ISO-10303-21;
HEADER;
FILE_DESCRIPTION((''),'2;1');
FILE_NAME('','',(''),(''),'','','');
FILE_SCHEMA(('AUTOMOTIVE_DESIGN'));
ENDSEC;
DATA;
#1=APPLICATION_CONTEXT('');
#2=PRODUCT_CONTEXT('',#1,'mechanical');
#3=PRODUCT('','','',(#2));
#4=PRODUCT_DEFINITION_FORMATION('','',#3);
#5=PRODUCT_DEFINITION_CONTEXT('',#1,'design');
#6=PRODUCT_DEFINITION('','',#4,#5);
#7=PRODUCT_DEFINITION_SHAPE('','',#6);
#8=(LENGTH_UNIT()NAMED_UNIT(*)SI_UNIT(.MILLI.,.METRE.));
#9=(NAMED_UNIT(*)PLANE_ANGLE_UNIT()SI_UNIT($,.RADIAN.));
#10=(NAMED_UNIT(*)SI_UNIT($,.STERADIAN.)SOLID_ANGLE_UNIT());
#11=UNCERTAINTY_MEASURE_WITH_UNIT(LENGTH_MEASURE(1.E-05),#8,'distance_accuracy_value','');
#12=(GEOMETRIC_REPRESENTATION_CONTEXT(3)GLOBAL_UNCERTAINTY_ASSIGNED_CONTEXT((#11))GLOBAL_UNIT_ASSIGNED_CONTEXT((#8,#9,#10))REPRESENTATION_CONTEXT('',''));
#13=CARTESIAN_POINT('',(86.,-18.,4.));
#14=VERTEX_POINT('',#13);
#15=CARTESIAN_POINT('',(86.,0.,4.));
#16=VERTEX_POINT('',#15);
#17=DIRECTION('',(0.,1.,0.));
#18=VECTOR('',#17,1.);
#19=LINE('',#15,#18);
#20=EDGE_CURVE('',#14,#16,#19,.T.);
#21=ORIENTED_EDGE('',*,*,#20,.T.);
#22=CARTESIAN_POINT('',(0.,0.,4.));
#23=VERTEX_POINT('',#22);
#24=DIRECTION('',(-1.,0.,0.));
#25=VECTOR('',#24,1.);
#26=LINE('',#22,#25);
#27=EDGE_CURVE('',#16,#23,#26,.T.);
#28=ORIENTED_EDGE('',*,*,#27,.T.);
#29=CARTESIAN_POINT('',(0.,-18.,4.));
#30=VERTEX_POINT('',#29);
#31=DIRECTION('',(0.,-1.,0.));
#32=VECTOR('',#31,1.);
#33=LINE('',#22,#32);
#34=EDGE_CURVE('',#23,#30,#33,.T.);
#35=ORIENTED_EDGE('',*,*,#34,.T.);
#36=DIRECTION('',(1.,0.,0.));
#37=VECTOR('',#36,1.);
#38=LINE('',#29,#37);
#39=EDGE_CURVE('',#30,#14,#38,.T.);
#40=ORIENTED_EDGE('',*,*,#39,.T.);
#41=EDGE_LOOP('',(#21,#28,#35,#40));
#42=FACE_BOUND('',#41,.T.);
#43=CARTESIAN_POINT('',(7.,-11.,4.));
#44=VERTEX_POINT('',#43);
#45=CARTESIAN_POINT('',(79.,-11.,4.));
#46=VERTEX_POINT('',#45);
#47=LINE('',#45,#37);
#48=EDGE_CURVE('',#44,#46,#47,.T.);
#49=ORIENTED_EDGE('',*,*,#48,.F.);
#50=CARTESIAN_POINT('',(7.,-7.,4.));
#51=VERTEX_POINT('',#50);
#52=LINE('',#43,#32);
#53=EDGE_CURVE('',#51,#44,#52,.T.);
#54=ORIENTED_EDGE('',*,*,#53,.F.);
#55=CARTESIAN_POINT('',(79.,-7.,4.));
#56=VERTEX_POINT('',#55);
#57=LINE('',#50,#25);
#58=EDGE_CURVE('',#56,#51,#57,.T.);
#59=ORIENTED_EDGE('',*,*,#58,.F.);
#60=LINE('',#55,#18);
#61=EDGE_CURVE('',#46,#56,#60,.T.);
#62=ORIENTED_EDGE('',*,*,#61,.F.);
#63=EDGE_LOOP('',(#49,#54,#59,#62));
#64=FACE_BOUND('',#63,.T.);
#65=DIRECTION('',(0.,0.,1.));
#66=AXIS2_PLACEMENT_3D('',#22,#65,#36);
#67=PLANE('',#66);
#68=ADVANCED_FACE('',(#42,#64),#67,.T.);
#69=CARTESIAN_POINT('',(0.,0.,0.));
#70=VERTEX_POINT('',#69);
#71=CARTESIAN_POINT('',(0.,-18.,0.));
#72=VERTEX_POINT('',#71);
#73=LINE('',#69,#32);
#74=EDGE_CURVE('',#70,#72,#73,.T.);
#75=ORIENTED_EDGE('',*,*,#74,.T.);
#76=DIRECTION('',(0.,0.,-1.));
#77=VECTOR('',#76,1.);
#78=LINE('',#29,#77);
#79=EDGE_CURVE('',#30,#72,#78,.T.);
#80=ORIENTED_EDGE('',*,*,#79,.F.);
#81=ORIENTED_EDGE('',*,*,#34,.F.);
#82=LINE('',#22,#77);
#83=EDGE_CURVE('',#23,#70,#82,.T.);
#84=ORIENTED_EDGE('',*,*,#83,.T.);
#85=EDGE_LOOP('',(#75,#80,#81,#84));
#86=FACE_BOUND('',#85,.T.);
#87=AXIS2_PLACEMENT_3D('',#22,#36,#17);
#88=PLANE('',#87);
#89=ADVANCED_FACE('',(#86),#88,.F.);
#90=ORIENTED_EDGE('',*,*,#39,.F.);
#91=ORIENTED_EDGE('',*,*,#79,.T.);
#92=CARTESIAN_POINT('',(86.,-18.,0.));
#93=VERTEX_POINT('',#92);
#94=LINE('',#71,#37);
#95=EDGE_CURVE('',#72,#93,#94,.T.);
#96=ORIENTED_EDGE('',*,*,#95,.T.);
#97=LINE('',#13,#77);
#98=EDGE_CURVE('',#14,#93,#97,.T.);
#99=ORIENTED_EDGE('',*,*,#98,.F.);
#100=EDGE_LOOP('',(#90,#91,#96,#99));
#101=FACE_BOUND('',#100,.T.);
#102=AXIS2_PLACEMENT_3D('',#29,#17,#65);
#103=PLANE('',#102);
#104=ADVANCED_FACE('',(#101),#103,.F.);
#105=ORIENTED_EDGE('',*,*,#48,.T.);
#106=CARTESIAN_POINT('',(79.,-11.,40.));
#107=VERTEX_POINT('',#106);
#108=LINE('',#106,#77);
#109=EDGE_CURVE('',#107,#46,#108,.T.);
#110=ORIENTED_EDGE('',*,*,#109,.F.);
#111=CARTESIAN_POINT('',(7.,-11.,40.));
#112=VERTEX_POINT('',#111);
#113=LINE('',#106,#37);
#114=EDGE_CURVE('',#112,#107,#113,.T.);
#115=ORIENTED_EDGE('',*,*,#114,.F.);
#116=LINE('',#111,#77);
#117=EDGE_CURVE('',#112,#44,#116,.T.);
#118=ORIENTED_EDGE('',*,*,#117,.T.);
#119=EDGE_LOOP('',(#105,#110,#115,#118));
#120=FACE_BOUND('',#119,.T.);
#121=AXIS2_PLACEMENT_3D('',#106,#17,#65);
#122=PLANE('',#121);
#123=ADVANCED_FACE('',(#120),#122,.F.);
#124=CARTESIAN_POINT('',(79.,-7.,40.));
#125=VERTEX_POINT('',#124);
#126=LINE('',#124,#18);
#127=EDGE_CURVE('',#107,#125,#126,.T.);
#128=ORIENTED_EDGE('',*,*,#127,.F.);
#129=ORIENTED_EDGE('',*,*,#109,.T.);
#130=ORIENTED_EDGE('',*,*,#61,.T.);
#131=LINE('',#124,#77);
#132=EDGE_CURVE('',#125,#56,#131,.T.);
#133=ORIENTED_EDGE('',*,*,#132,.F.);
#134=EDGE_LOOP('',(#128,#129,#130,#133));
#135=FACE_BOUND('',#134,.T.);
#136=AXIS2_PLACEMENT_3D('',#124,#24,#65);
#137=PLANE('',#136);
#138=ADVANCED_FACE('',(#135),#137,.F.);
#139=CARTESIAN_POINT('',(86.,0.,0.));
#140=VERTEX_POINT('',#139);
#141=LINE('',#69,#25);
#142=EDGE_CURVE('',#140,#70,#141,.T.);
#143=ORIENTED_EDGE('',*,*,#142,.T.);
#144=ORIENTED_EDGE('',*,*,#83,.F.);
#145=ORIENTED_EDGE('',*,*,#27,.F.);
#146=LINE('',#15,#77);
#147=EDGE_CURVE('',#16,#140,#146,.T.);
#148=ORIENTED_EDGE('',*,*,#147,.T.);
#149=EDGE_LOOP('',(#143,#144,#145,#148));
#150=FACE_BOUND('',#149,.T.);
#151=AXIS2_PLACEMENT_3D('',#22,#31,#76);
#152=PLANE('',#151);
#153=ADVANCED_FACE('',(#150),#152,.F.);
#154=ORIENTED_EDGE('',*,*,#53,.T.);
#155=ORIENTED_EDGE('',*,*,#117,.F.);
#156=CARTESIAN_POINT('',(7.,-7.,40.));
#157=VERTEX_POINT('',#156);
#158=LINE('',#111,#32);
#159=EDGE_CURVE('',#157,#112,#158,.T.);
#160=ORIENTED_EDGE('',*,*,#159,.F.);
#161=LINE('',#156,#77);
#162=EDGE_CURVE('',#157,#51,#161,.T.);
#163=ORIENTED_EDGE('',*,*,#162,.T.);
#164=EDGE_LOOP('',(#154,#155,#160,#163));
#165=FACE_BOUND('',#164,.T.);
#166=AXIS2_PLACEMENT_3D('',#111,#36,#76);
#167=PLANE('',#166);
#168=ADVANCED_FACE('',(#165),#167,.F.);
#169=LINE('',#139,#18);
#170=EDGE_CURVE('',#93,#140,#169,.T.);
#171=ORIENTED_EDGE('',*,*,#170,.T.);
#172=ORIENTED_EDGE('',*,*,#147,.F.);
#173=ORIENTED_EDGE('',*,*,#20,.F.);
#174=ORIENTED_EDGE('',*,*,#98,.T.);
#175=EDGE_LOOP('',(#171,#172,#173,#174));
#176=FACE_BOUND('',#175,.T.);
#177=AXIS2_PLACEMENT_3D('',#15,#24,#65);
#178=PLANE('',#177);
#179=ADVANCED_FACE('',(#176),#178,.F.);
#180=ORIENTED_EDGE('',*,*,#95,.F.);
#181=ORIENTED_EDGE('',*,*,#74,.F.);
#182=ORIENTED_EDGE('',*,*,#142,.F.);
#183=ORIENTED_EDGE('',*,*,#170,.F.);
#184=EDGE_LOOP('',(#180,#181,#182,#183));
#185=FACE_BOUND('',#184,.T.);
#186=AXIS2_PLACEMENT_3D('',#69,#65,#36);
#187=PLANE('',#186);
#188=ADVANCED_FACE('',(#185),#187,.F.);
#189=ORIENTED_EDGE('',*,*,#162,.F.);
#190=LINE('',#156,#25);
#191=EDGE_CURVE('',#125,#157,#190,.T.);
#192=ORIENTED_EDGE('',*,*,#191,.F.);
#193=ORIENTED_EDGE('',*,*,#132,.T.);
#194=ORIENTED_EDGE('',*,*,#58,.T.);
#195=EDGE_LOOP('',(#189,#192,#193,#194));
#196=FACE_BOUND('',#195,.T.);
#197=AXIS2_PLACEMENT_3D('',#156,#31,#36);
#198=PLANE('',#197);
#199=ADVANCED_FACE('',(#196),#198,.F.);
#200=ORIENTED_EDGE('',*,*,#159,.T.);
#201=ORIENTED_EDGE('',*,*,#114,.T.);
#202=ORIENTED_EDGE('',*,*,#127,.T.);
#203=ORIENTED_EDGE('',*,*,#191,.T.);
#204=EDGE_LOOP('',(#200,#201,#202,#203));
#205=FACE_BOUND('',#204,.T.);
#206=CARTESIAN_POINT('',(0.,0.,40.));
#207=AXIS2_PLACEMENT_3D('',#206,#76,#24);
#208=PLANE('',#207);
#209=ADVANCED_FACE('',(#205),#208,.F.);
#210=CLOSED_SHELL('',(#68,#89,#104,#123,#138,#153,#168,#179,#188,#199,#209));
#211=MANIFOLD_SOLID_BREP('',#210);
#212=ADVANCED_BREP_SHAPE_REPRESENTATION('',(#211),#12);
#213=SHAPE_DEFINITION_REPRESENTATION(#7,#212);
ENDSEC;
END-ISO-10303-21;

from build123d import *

# Parameters (mm, degrees)
CROQUIS1_W              = 86
CROQUIS1_H              = 18
SALIENTE_EXTRUIR1_DEPTH = 4
CROQUIS2_W              = 72
CROQUIS2_H              = 4
SALIENTE_EXTRUIR2_DEPTH = 36


with BuildPart() as part:
    # Croquis1 → Saliente-Extruir1 (new body)
    with BuildSketch(Plane.XY):
        with Locations((43, -9)):
            Rectangle(CROQUIS1_W, CROQUIS1_H)
    extrude(amount=SALIENTE_EXTRUIR1_DEPTH)

    # Croquis2 → Saliente-Extruir2 (add)
    with BuildSketch(Plane.XY.offset(4)):
        with Locations((43, -9)):
            Rectangle(CROQUIS2_W, CROQUIS2_H)
    extrude(amount=SALIENTE_EXTRUIR2_DEPTH)


solid = part.part
